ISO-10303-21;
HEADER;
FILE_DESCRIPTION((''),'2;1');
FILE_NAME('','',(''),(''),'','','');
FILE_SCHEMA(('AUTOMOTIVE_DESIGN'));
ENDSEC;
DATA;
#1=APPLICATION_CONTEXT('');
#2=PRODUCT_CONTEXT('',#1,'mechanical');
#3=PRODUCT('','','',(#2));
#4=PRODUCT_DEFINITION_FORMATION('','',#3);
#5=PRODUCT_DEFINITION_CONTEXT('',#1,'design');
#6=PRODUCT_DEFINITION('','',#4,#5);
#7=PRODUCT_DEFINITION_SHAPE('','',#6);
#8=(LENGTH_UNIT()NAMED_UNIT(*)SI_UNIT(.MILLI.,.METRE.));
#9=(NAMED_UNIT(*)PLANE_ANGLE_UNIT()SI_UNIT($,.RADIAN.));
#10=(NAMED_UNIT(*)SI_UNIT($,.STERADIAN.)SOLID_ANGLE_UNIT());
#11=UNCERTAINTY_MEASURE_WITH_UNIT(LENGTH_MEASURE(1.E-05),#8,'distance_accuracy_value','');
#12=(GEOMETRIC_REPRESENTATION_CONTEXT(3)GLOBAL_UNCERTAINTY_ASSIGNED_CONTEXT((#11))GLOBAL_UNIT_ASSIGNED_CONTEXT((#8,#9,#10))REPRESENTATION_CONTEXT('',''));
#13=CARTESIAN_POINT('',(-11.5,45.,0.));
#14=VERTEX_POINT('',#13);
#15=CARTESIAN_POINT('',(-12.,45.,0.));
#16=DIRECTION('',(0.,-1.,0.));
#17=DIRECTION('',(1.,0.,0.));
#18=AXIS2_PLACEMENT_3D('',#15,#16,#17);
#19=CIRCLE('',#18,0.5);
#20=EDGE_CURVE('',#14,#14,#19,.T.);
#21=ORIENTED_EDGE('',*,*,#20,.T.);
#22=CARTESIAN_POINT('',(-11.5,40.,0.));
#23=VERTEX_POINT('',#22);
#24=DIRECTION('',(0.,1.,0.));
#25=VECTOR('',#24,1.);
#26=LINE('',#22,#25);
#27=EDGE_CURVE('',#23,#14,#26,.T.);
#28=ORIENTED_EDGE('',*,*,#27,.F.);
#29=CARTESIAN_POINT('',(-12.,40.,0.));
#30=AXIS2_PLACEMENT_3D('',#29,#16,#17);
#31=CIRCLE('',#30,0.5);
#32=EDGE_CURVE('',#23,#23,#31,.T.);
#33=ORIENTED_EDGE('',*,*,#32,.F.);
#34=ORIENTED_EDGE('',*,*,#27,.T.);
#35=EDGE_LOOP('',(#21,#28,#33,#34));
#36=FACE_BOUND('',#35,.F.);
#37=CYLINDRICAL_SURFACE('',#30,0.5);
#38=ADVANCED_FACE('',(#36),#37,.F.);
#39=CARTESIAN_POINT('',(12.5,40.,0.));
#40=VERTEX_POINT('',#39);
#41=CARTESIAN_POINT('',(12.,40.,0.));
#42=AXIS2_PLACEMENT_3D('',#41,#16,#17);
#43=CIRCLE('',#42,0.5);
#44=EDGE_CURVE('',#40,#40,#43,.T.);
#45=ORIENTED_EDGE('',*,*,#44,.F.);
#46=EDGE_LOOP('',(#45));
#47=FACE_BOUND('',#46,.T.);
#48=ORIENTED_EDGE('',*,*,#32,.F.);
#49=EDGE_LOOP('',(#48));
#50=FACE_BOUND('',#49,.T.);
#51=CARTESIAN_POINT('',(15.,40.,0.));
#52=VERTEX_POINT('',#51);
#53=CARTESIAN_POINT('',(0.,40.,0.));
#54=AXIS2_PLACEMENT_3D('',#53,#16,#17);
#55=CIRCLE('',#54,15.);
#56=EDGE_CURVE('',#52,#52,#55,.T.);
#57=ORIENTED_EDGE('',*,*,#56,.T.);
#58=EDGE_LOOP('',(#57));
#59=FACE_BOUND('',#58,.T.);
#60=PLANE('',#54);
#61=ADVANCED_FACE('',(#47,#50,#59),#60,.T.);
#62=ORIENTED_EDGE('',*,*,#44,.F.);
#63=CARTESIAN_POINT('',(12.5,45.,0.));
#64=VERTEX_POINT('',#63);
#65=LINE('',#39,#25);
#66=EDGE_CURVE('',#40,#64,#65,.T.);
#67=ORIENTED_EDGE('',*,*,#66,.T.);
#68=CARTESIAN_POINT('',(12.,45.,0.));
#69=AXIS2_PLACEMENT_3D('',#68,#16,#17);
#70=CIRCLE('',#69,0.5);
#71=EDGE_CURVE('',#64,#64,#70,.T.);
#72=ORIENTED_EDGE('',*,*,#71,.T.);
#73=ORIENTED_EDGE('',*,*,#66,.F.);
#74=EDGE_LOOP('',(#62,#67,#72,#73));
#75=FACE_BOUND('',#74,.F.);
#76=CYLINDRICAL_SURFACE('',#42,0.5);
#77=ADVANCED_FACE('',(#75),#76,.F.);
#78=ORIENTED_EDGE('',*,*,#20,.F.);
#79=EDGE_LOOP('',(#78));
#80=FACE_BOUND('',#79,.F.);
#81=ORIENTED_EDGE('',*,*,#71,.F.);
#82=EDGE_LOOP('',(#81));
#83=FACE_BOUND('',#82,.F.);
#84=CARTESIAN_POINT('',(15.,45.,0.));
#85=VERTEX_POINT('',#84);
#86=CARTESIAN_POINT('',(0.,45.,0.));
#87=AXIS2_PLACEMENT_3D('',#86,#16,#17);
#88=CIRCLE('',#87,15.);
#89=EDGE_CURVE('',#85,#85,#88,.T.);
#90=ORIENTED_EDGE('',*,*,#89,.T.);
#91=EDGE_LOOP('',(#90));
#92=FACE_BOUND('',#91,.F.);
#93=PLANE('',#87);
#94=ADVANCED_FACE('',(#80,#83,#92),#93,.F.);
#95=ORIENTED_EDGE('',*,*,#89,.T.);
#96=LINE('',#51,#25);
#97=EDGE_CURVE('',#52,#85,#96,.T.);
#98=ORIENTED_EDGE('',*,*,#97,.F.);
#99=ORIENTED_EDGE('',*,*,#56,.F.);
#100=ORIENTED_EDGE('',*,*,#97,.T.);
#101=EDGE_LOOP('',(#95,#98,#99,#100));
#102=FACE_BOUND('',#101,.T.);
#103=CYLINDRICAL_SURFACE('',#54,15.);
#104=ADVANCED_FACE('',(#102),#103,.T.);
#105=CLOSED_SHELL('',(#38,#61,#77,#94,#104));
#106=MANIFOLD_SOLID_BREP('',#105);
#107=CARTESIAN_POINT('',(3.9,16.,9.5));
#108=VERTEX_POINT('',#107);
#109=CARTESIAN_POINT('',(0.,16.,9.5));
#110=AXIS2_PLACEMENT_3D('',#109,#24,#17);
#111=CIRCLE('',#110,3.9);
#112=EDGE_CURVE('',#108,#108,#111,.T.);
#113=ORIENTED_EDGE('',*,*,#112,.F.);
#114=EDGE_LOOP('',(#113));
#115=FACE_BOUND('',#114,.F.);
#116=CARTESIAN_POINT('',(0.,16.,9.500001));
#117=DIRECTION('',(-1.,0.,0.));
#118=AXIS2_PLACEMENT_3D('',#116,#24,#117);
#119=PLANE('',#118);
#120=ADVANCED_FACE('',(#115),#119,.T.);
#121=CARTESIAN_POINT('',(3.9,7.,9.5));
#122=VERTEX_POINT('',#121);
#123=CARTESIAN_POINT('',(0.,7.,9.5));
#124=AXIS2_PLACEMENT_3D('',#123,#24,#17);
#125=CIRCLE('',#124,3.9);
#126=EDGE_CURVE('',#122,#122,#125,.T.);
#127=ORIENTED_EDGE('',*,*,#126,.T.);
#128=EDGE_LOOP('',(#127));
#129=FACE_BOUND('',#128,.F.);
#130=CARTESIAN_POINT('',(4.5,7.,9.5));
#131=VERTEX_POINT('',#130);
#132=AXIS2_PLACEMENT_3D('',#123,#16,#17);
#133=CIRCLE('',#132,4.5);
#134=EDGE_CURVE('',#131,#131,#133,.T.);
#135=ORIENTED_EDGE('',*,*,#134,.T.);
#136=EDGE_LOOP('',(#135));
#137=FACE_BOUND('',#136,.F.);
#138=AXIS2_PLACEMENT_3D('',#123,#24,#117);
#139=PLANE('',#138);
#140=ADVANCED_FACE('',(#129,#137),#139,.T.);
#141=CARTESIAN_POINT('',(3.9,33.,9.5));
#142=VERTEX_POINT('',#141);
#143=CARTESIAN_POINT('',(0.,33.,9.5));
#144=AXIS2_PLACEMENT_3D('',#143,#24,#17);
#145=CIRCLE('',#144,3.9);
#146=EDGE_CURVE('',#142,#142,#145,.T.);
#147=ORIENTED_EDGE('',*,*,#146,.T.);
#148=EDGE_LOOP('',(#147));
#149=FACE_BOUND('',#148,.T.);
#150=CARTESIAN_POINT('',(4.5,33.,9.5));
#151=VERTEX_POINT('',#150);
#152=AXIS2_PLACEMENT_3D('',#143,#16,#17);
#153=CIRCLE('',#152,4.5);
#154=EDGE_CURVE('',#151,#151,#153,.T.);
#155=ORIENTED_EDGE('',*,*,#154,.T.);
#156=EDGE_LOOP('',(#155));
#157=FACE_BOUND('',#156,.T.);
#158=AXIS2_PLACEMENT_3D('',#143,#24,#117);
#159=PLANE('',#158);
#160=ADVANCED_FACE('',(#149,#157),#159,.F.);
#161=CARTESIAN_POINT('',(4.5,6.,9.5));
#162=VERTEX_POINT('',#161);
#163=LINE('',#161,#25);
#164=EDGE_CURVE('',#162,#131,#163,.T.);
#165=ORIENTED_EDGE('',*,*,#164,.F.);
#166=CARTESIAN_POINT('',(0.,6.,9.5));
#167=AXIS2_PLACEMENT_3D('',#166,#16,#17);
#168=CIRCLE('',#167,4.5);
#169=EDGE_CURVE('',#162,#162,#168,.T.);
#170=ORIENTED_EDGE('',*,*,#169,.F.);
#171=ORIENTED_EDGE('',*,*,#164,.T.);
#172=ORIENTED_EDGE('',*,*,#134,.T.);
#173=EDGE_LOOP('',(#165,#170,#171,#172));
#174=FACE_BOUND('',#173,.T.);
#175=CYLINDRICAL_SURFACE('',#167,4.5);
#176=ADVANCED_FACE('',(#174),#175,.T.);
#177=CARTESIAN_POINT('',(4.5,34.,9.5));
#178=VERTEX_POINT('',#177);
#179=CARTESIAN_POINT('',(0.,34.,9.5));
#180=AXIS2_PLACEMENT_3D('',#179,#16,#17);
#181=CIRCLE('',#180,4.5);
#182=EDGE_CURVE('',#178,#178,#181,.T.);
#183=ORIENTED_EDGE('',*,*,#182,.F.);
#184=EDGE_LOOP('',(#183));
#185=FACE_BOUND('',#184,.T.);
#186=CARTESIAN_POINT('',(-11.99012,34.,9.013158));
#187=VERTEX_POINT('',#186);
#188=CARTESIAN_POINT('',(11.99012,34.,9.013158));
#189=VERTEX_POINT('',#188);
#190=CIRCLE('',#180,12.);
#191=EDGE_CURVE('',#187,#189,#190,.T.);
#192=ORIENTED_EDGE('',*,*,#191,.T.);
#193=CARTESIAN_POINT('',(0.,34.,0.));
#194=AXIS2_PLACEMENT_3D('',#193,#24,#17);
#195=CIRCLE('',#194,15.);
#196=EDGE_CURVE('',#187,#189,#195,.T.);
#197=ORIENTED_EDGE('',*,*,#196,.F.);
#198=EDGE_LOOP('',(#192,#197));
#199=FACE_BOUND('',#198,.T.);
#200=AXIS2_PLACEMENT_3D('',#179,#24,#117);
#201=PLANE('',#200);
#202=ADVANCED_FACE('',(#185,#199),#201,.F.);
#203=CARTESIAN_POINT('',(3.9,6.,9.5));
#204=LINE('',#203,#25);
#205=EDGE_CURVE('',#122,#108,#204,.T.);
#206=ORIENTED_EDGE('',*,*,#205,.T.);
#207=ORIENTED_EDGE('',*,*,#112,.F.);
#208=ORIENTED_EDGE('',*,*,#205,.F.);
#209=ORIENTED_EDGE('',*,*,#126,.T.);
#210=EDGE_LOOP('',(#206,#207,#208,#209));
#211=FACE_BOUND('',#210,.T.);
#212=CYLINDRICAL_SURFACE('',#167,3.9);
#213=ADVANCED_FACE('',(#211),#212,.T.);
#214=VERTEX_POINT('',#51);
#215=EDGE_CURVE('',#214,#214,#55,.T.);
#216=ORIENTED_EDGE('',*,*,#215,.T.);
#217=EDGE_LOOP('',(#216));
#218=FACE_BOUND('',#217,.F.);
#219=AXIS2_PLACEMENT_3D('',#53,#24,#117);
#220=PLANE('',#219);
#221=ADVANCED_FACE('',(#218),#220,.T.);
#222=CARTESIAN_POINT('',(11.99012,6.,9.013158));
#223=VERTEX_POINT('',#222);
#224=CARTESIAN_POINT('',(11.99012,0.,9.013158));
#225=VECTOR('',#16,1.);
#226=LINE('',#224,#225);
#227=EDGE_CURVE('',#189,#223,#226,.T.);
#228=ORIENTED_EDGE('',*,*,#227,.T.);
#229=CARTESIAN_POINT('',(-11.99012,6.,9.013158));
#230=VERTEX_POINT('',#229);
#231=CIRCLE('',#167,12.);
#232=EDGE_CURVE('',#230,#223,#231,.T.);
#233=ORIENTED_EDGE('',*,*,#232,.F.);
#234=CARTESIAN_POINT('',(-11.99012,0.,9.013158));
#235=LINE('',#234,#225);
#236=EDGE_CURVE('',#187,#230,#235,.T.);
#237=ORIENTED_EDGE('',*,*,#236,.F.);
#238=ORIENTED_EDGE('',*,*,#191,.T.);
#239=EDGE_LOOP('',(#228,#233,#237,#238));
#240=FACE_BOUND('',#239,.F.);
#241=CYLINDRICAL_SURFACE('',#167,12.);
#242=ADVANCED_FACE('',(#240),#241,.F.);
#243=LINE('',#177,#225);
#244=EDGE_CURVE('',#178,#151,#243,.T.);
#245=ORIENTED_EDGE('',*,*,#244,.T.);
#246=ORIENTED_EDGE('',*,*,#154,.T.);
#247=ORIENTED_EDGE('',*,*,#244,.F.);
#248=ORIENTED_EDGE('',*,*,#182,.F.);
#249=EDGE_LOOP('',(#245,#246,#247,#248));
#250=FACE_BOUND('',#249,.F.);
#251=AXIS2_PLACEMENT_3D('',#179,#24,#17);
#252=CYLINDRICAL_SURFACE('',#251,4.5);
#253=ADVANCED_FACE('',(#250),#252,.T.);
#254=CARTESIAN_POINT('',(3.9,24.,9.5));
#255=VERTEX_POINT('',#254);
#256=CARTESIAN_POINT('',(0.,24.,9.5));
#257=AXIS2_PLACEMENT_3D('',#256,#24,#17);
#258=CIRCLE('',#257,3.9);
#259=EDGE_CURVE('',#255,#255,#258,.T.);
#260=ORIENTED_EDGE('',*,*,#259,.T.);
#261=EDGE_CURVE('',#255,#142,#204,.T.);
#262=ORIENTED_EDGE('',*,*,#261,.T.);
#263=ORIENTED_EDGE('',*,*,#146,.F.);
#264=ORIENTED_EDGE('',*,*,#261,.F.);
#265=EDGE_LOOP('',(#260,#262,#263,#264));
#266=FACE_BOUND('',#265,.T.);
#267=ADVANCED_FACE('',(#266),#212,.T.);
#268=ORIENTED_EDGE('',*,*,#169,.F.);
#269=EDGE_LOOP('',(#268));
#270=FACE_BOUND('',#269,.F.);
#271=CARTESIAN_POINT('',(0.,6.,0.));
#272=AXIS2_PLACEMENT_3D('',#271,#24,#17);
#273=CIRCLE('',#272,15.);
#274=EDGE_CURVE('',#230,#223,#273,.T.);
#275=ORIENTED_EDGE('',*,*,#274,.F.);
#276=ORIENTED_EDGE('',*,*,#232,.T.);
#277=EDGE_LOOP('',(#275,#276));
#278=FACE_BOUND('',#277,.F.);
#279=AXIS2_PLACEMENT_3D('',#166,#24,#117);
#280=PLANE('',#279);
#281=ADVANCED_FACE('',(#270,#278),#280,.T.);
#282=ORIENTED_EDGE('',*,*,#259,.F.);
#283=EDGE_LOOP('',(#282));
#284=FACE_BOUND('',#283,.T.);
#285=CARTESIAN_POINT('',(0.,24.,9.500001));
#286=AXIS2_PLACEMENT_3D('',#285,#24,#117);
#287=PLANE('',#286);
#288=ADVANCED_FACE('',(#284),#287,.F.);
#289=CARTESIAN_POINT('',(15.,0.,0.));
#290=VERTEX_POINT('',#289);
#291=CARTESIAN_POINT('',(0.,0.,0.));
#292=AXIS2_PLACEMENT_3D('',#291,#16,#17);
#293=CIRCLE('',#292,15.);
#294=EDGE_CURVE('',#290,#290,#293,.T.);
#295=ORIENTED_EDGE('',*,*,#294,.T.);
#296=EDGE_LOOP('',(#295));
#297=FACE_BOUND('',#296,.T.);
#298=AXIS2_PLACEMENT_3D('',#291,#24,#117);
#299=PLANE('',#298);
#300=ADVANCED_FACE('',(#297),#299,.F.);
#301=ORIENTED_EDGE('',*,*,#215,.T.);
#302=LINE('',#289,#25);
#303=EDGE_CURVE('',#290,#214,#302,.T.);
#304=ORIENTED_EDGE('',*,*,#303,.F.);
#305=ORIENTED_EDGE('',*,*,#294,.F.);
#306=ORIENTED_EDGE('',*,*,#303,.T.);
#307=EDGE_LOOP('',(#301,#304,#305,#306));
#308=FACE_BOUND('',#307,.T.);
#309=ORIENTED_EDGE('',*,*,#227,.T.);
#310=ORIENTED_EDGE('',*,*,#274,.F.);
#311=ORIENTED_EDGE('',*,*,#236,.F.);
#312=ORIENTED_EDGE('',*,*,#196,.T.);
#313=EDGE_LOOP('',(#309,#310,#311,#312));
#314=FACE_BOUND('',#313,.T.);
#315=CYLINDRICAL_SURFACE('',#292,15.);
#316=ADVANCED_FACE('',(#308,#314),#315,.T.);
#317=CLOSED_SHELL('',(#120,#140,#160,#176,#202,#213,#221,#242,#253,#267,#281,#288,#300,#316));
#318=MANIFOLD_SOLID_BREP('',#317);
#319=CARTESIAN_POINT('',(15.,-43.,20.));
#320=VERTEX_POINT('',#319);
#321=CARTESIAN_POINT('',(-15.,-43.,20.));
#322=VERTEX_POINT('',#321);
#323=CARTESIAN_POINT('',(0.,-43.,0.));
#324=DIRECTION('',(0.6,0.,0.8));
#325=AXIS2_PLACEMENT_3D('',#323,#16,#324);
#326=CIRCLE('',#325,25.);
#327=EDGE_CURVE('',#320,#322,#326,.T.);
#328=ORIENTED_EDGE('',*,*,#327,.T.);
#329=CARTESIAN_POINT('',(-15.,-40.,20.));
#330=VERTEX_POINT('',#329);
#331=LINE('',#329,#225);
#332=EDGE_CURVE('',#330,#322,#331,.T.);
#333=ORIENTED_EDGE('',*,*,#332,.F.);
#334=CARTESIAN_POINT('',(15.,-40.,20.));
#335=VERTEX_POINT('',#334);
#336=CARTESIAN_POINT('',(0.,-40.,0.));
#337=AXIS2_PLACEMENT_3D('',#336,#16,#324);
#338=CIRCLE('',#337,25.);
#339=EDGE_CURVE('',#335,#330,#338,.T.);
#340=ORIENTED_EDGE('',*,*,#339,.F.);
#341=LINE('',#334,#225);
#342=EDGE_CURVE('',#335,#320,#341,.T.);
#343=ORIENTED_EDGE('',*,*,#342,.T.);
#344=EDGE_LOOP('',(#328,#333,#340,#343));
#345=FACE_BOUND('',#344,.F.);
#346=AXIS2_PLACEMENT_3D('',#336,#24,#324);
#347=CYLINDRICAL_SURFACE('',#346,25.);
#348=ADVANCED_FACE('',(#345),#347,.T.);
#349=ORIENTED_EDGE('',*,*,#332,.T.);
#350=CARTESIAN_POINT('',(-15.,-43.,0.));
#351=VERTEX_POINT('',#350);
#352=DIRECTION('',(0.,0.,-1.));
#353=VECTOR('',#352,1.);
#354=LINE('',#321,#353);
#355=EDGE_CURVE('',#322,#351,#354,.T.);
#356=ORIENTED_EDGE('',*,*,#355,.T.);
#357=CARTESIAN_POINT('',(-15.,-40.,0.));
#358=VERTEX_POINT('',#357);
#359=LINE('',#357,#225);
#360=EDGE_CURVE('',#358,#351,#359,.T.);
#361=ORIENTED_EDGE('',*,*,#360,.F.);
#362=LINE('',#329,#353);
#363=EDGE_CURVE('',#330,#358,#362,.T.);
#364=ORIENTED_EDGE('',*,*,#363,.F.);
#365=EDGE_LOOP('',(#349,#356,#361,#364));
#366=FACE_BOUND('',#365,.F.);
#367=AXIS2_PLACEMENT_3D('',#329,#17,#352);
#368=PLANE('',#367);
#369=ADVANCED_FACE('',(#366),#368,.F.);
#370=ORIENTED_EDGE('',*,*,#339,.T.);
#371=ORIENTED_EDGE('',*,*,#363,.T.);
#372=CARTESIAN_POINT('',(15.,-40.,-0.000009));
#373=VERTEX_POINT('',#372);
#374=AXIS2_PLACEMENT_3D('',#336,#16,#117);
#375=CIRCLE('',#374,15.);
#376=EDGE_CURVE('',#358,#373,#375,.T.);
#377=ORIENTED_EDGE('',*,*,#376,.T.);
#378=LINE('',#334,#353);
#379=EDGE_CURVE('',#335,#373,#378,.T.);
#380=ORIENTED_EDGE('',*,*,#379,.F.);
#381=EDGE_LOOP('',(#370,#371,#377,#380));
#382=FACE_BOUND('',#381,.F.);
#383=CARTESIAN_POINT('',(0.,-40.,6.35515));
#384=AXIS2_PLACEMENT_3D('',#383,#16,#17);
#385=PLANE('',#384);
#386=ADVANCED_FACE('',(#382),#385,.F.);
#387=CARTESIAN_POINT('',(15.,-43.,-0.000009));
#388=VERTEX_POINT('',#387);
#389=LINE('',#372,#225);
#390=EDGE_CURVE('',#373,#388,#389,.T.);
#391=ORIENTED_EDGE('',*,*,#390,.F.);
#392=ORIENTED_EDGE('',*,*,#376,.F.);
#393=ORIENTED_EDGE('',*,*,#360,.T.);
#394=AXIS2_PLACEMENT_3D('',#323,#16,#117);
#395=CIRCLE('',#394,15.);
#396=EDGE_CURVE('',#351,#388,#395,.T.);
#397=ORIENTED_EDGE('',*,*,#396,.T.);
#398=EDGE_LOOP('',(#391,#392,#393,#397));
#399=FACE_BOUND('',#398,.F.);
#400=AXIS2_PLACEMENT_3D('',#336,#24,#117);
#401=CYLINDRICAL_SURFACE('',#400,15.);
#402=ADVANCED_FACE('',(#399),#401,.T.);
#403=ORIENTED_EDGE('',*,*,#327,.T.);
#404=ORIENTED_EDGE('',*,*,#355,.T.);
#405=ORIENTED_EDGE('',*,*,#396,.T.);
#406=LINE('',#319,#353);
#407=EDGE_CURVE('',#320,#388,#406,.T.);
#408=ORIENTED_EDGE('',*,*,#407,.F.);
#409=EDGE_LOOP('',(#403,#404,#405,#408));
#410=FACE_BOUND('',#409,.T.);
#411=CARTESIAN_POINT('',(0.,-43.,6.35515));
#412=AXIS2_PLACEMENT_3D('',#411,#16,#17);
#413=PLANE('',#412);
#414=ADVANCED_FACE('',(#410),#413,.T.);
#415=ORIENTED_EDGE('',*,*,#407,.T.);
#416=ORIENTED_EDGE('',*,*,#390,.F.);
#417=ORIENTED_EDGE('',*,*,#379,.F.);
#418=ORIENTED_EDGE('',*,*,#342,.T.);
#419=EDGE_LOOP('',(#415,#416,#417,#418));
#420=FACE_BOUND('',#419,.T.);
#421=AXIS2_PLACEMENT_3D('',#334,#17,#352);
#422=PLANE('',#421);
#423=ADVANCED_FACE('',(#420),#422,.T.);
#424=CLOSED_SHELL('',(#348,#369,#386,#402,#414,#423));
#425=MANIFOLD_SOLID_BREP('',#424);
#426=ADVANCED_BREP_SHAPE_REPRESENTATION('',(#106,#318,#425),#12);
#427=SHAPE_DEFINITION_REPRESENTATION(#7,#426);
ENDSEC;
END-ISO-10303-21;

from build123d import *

# Parameters (mm, degrees)
SKETCH_R        = 15
PAD_DEPTH       = 40
SKETCH001_R     = 12
POCKET_DEPTH    = 28
SKETCH002_R     = 3.9
PAD001_DEPTH    = 28
SKETCH003_R     = 4.564184
POCKET001_DEPTH = 4
SKETCH004_R     = 4.5
PAD002_DEPTH    = 1
SKETCH005_R     = 4.5
PAD003_DEPTH    = 1
PAD004_DEPTH    = 3
SKETCH008_R     = 0.5
POCKET002_DEPTH = 10
SKETCH007_R     = 15
SKETCH007_R_2   = 0.5
EXTRUDE_DEPTH   = 5


with BuildPart() as roulements:
    # Sketch → Pad (new body)
    with BuildSketch(Plane.XZ):
        Circle(SKETCH_R)
    extrude(amount=PAD_DEPTH)

    # Sketch001 → Pocket (cut)
    with BuildSketch(Plane.XZ.offset(6)):
        with Locations((0, 9.5)):
            Circle(SKETCH001_R)
    extrude(amount=POCKET_DEPTH, mode=Mode.SUBTRACT)

    # Sketch002 → Pad001 (join)
    with BuildSketch(Plane.XZ.offset(6)):
        with Locations((0, 9.5)):
            Circle(SKETCH002_R)
    extrude(amount=PAD001_DEPTH)

    # Sketch003 → Pocket001 (cut, symmetric)
    with BuildSketch(Plane.XZ.offset(20)):
        with Locations((0, 9.500001)):
            Circle(SKETCH003_R)
    extrude(amount=POCKET001_DEPTH, both=True, mode=Mode.SUBTRACT)

    # Sketch004 → Pad002 (join)
    with BuildSketch(Plane.XZ.offset(6)):
        with Locations((0, 9.5)):
            Circle(SKETCH004_R)
    extrude(amount=PAD002_DEPTH)

    # Sketch005 → Pad003 (join)
    with BuildSketch(Plane.XZ.offset(34)):
        with Locations((0, 9.5)):
            Circle(SKETCH005_R)
    extrude(amount=-PAD003_DEPTH)


with BuildPart() as part_mirroring:
    # Part__Mirroring: instance of roulements
    add(roulements.part.mirror(Plane(origin=(0, 0, 0), x_dir=(1, 0, 0), z_dir=(0, 1, 0))))


with BuildPart() as butee:
    # Sketch006 → Pad004 (new body)
    with BuildSketch(Plane.XZ.offset(40)):
        with BuildLine():
            ThreePointArc((15, 20), (0, 25), (-15, 20))
            Line((-15, 20), (-15, 0))
            ThreePointArc((-15, 0), (-4e-06, -15), (15, -9e-06))
            Line((15, 20), (15, -9e-06))
        make_face()
    extrude(amount=PAD004_DEPTH)

    # Sketch008 → Pocket002 (cut)
    with BuildSketch(Plane.XZ.offset(-45)):
        with Locations((-12, 0)):
            Circle(SKETCH008_R)
        with Locations((12, 0)):
            Circle(SKETCH008_R)
    extrude(amount=POCKET002_DEPTH, mode=Mode.SUBTRACT)


with BuildPart() as extrude_body:
    # Sketch007 → Extrude (new body)
    with BuildSketch(Plane.XZ.offset(-40)):
        Circle(SKETCH007_R)
        with Locations((-12, 0)):
            Circle(SKETCH007_R_2, mode=Mode.SUBTRACT)
        with Locations((12, 0)):
            Circle(SKETCH007_R_2, mode=Mode.SUBTRACT)
    extrude(amount=-EXTRUDE_DEPTH)


solid = Compound([part_mirroring.part, butee.part, extrude_body.part])
